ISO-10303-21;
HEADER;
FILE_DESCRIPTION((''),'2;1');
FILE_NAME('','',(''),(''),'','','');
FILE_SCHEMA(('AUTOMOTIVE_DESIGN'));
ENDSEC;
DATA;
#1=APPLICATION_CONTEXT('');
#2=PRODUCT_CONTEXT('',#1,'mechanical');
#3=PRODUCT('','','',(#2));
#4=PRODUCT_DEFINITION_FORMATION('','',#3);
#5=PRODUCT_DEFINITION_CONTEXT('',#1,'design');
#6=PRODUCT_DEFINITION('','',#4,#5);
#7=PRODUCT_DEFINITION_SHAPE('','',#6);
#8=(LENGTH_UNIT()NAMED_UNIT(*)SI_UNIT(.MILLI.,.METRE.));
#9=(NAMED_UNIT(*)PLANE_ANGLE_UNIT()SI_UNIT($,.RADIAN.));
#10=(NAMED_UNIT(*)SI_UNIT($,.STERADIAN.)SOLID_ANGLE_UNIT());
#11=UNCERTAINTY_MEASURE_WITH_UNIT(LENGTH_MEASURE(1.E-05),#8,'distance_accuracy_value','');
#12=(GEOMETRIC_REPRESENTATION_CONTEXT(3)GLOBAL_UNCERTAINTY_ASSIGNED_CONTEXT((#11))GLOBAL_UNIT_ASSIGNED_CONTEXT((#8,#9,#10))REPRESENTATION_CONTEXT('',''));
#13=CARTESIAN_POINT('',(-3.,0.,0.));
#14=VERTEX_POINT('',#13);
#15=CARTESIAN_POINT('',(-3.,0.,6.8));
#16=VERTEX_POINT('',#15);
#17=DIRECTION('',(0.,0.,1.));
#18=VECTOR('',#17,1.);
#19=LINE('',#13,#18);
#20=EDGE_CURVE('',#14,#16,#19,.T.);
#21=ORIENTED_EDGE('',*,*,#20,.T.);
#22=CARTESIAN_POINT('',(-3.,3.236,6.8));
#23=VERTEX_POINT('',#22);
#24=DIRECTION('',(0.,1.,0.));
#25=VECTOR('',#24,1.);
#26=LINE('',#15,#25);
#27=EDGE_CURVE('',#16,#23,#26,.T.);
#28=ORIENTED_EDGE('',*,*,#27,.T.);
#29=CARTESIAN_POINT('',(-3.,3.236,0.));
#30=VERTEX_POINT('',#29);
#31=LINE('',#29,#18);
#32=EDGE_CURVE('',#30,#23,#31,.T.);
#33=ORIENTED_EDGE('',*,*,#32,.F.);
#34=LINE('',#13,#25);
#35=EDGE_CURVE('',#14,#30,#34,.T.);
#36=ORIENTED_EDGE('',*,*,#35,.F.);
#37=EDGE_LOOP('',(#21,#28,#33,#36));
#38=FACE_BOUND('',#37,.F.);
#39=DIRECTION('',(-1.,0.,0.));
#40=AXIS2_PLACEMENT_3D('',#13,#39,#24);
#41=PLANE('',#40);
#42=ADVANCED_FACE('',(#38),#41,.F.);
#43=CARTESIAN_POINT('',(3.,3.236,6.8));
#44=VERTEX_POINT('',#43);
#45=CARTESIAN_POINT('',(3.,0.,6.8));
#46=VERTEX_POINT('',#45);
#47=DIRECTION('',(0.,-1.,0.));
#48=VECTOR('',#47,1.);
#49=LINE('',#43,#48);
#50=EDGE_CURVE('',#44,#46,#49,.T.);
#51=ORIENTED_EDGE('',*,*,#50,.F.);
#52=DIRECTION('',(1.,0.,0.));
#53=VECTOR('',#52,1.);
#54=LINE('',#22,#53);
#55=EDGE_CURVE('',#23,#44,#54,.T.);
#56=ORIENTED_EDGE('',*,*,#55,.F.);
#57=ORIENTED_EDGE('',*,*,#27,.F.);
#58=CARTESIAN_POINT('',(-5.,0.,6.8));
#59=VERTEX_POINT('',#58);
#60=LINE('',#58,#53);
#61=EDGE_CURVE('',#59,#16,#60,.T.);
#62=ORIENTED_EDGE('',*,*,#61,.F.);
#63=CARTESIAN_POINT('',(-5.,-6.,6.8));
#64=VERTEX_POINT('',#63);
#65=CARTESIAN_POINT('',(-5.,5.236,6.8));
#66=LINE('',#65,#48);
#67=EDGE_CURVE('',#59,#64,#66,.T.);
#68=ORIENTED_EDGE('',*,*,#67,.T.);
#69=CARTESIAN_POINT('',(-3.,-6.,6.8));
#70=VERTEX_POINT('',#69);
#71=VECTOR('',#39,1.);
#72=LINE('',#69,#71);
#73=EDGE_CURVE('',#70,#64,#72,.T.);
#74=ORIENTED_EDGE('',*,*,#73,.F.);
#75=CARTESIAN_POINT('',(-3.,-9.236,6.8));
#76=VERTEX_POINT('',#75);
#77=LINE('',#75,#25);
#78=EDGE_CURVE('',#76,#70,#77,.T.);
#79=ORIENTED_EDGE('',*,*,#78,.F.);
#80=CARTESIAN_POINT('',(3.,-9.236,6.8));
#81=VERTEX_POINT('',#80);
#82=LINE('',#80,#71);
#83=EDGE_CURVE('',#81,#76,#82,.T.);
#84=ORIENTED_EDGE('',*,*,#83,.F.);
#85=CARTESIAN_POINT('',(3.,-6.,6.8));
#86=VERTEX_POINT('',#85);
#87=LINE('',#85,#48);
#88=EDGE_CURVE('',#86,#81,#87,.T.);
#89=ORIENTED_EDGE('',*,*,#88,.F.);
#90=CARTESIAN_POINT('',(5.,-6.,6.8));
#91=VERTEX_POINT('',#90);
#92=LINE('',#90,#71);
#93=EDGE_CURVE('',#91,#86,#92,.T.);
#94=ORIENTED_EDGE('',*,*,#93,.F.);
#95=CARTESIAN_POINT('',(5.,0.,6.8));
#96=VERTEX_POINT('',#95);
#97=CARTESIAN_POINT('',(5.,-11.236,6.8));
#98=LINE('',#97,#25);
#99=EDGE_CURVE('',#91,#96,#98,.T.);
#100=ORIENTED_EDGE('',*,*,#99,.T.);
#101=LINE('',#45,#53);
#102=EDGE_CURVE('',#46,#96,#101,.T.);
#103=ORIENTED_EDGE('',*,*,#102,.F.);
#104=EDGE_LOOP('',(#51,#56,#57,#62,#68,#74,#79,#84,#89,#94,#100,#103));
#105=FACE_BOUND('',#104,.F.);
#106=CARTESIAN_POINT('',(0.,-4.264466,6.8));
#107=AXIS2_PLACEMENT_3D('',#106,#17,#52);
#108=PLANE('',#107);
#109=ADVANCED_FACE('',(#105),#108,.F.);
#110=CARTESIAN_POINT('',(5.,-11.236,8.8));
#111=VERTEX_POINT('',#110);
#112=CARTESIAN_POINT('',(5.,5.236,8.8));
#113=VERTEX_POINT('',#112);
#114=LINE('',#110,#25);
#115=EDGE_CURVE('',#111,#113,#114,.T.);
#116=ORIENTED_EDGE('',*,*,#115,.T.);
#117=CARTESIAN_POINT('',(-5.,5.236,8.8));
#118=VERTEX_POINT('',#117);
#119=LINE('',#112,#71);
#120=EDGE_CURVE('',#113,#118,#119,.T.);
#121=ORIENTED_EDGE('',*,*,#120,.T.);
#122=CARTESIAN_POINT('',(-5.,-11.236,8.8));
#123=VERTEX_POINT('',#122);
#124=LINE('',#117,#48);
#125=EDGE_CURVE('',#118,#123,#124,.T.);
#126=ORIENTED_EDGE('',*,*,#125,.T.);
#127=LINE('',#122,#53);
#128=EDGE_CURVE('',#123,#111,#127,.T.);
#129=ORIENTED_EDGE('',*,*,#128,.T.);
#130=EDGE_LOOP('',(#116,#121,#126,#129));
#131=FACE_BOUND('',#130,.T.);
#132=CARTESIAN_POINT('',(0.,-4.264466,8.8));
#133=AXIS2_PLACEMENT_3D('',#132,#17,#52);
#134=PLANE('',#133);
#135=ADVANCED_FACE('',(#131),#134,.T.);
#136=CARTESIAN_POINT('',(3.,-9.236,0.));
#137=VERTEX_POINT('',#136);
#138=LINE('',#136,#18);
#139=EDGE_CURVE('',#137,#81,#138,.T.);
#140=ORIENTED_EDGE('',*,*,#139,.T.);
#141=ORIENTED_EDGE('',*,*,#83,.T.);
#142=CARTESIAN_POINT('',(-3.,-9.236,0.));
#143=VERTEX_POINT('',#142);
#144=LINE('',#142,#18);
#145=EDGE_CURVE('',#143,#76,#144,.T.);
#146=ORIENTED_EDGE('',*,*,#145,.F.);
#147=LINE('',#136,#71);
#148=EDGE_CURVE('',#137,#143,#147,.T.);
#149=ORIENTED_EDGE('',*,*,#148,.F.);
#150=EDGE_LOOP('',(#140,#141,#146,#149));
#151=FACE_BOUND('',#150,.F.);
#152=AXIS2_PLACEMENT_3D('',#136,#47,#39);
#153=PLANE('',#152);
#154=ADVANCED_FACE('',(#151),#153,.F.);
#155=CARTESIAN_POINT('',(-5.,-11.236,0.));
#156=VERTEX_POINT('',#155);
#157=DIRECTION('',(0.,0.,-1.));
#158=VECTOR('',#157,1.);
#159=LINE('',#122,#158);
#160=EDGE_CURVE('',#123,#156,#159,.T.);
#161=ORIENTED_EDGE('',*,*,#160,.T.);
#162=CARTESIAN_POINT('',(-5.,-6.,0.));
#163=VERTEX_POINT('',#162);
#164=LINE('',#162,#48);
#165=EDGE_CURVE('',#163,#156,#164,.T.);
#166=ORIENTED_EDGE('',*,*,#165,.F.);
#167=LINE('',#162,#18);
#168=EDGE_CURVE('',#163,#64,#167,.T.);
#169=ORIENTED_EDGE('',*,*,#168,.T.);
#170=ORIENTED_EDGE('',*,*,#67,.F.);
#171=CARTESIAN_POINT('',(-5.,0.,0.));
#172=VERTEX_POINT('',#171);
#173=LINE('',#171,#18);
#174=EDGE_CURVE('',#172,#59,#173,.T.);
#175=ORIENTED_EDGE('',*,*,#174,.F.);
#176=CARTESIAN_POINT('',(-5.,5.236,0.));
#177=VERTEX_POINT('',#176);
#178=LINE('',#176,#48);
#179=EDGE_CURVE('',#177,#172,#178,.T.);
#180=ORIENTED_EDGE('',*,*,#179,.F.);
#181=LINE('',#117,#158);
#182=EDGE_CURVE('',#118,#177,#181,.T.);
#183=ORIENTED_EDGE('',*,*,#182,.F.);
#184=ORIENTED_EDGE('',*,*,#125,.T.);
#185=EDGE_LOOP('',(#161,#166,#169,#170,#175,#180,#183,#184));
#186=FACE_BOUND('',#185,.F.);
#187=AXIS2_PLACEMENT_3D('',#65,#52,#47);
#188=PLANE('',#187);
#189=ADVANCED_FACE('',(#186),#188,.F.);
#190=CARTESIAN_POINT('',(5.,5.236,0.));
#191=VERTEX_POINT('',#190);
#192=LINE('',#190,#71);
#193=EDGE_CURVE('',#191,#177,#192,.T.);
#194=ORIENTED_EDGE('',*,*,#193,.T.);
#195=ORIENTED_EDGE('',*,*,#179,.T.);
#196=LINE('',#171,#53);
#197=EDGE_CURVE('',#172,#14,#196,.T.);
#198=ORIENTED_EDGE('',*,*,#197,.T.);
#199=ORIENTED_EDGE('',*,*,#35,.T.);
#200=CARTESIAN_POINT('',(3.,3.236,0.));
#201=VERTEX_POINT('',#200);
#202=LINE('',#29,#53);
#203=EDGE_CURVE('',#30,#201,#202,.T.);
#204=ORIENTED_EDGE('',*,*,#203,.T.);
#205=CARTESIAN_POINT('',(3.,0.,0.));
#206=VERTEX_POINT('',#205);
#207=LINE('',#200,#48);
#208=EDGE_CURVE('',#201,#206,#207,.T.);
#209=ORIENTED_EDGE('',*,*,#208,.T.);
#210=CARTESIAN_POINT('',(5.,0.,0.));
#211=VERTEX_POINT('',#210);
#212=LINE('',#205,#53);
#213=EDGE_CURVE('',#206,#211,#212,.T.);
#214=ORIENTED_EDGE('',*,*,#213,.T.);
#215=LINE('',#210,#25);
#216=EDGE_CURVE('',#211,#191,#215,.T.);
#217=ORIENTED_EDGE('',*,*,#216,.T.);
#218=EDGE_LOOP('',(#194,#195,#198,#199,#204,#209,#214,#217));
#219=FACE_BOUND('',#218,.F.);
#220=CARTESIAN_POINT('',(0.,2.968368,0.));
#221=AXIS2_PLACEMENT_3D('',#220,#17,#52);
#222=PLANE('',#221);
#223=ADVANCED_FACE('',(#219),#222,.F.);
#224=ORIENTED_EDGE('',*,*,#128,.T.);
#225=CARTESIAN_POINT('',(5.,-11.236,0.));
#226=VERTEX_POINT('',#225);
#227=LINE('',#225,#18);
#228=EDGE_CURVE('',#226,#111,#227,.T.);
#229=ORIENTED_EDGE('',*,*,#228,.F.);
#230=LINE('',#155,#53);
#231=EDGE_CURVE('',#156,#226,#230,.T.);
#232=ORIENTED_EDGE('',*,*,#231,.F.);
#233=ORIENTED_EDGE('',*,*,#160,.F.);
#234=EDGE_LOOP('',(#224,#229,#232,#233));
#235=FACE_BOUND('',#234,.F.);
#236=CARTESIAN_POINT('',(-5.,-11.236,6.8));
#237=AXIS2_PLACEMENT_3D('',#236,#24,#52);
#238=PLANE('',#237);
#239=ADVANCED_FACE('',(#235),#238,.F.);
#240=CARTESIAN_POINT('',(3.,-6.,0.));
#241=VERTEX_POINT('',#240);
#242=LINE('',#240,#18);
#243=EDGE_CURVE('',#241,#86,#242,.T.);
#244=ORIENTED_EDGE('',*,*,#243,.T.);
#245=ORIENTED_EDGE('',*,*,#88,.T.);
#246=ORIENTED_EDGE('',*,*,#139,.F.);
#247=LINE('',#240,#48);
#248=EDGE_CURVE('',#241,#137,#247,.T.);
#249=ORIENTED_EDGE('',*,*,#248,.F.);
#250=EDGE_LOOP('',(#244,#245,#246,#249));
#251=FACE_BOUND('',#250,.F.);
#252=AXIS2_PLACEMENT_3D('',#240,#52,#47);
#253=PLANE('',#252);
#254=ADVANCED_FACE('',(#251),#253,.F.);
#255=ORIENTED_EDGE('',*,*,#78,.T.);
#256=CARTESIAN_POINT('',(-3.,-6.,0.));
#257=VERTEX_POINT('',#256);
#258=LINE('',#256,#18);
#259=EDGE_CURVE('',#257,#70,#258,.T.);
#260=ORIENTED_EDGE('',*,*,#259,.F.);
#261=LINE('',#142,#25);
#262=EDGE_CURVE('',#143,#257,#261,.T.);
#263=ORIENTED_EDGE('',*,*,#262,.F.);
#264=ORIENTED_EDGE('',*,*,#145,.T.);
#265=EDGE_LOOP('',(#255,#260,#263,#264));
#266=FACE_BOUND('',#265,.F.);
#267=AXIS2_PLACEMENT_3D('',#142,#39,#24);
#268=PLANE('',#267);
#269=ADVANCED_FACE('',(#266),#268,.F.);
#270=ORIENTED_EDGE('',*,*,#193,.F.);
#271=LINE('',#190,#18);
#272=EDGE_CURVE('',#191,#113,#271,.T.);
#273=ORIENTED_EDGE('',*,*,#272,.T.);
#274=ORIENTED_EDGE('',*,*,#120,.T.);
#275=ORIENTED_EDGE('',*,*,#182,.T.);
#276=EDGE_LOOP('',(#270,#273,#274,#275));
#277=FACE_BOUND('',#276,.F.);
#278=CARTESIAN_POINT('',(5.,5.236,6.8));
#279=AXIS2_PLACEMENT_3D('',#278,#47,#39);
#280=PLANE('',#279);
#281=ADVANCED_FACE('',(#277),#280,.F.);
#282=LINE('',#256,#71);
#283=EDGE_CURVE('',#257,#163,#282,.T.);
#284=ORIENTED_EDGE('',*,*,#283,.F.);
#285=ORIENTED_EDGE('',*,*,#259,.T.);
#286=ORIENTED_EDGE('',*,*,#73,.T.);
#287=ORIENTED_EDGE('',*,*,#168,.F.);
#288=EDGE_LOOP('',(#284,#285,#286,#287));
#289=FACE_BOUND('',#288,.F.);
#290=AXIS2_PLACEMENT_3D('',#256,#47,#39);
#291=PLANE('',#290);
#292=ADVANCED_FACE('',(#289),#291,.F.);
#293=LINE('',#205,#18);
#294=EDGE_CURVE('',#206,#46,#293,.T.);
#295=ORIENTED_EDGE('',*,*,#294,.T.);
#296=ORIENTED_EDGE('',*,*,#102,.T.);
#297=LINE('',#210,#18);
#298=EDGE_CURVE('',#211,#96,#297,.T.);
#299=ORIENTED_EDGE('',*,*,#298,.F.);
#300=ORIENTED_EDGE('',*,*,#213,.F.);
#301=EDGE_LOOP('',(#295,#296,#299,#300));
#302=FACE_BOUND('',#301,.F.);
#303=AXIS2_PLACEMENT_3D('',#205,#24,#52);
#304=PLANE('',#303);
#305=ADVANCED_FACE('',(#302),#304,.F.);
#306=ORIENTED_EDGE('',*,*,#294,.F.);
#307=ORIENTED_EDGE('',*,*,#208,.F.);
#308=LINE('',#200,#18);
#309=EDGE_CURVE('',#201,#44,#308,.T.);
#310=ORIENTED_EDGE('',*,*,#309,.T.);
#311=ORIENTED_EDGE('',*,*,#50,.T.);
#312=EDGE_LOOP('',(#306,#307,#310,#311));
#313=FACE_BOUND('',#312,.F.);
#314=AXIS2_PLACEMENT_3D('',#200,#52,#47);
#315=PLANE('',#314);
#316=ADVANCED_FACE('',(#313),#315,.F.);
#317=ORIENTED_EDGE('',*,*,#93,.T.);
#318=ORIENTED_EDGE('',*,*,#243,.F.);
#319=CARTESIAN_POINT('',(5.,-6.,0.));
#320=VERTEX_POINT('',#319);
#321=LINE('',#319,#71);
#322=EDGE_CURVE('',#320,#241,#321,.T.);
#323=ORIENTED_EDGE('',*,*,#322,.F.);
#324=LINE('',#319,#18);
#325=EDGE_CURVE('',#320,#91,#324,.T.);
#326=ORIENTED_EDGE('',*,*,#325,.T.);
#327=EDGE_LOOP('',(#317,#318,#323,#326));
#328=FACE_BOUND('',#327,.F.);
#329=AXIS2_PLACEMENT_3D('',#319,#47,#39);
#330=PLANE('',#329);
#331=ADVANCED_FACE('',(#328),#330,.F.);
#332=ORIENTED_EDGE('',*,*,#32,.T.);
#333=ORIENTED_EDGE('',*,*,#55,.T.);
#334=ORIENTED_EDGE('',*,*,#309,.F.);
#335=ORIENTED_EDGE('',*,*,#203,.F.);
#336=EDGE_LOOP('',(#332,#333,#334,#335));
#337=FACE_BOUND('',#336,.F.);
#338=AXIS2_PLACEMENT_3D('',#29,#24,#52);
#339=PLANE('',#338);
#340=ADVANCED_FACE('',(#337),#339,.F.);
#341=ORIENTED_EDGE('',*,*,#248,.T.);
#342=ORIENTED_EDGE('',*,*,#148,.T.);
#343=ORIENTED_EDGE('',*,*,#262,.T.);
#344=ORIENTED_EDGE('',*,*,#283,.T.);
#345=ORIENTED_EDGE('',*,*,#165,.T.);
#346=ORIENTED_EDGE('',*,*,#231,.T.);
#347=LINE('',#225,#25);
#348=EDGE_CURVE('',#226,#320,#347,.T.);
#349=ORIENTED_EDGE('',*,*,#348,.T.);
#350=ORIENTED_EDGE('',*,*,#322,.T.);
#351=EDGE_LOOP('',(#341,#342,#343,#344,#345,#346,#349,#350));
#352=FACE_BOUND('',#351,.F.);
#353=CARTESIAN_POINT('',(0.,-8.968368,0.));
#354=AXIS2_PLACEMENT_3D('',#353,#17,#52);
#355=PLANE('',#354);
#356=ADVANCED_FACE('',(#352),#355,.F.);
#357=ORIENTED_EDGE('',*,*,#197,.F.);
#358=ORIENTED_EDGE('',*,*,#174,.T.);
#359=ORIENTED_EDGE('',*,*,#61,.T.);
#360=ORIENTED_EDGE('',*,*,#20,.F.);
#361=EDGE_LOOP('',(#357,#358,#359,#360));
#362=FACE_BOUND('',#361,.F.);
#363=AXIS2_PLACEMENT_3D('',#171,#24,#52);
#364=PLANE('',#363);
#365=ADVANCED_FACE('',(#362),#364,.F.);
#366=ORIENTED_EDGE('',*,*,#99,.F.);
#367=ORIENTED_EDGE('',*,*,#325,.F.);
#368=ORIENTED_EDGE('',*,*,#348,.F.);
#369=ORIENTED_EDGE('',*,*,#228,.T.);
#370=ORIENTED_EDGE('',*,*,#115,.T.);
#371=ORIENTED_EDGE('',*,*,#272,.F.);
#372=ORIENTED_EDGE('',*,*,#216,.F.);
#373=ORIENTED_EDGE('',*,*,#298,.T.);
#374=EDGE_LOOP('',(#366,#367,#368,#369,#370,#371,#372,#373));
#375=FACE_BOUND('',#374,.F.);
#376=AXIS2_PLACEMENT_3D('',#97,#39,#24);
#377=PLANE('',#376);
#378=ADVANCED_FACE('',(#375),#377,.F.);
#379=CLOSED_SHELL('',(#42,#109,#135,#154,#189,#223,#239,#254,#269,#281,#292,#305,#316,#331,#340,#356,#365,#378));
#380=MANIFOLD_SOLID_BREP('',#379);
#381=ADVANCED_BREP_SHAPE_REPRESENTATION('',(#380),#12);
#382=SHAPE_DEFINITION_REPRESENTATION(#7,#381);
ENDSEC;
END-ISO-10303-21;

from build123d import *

# Parameters (mm, degrees)
F1_DEPTH = 6.8
F3_DEPTH = 2


with BuildPart() as f1:
    # F0 (on Top) → F1 (new body)
    with BuildSketch(Plane.XY):
        Polygon((-5, 5.236), (-5, 0), (-3, 0), (-3, 3.236), (0, 3.236), (3, 3.236), (3, 0), (5, 0), (5, 5.236), (0, 5.236), align=None)
    extrude(amount=F1_DEPTH)



with BuildPart() as f1b:
    # F0 (on Top) → F1, piece 2 (new body)
    with BuildSketch(Plane.XY):
        Polygon((-3, -6), (-5, -6), (-5, -11.236), (0, -11.236), (5, -11.236), (5, -6), (3, -6), (3, -9.236), (0, -9.236), (-3, -9.236), align=None)
    extrude(amount=F1_DEPTH)


with BuildPart() as f1_1:
    add(f1.part)

    add(f1b.part)  # F3 merges F1b
    # F2 (on face) → F3 (join)
    with BuildSketch(Plane.XY.offset(6.8)):
        Polygon((-3, 0), (-5, 0), (-5, -11.236), (5, -11.236), (5, 0), (3, 0), (3, 3.236), (-3, 3.236), align=None)
        Polygon((5, 5.236), (-5, 5.236), (-5, 0), (-3, 0), (-3, 3.236), (3, 3.236), (3, 0), (5, 0), align=None)
    extrude(amount=F3_DEPTH)


solid = f1_1.part
